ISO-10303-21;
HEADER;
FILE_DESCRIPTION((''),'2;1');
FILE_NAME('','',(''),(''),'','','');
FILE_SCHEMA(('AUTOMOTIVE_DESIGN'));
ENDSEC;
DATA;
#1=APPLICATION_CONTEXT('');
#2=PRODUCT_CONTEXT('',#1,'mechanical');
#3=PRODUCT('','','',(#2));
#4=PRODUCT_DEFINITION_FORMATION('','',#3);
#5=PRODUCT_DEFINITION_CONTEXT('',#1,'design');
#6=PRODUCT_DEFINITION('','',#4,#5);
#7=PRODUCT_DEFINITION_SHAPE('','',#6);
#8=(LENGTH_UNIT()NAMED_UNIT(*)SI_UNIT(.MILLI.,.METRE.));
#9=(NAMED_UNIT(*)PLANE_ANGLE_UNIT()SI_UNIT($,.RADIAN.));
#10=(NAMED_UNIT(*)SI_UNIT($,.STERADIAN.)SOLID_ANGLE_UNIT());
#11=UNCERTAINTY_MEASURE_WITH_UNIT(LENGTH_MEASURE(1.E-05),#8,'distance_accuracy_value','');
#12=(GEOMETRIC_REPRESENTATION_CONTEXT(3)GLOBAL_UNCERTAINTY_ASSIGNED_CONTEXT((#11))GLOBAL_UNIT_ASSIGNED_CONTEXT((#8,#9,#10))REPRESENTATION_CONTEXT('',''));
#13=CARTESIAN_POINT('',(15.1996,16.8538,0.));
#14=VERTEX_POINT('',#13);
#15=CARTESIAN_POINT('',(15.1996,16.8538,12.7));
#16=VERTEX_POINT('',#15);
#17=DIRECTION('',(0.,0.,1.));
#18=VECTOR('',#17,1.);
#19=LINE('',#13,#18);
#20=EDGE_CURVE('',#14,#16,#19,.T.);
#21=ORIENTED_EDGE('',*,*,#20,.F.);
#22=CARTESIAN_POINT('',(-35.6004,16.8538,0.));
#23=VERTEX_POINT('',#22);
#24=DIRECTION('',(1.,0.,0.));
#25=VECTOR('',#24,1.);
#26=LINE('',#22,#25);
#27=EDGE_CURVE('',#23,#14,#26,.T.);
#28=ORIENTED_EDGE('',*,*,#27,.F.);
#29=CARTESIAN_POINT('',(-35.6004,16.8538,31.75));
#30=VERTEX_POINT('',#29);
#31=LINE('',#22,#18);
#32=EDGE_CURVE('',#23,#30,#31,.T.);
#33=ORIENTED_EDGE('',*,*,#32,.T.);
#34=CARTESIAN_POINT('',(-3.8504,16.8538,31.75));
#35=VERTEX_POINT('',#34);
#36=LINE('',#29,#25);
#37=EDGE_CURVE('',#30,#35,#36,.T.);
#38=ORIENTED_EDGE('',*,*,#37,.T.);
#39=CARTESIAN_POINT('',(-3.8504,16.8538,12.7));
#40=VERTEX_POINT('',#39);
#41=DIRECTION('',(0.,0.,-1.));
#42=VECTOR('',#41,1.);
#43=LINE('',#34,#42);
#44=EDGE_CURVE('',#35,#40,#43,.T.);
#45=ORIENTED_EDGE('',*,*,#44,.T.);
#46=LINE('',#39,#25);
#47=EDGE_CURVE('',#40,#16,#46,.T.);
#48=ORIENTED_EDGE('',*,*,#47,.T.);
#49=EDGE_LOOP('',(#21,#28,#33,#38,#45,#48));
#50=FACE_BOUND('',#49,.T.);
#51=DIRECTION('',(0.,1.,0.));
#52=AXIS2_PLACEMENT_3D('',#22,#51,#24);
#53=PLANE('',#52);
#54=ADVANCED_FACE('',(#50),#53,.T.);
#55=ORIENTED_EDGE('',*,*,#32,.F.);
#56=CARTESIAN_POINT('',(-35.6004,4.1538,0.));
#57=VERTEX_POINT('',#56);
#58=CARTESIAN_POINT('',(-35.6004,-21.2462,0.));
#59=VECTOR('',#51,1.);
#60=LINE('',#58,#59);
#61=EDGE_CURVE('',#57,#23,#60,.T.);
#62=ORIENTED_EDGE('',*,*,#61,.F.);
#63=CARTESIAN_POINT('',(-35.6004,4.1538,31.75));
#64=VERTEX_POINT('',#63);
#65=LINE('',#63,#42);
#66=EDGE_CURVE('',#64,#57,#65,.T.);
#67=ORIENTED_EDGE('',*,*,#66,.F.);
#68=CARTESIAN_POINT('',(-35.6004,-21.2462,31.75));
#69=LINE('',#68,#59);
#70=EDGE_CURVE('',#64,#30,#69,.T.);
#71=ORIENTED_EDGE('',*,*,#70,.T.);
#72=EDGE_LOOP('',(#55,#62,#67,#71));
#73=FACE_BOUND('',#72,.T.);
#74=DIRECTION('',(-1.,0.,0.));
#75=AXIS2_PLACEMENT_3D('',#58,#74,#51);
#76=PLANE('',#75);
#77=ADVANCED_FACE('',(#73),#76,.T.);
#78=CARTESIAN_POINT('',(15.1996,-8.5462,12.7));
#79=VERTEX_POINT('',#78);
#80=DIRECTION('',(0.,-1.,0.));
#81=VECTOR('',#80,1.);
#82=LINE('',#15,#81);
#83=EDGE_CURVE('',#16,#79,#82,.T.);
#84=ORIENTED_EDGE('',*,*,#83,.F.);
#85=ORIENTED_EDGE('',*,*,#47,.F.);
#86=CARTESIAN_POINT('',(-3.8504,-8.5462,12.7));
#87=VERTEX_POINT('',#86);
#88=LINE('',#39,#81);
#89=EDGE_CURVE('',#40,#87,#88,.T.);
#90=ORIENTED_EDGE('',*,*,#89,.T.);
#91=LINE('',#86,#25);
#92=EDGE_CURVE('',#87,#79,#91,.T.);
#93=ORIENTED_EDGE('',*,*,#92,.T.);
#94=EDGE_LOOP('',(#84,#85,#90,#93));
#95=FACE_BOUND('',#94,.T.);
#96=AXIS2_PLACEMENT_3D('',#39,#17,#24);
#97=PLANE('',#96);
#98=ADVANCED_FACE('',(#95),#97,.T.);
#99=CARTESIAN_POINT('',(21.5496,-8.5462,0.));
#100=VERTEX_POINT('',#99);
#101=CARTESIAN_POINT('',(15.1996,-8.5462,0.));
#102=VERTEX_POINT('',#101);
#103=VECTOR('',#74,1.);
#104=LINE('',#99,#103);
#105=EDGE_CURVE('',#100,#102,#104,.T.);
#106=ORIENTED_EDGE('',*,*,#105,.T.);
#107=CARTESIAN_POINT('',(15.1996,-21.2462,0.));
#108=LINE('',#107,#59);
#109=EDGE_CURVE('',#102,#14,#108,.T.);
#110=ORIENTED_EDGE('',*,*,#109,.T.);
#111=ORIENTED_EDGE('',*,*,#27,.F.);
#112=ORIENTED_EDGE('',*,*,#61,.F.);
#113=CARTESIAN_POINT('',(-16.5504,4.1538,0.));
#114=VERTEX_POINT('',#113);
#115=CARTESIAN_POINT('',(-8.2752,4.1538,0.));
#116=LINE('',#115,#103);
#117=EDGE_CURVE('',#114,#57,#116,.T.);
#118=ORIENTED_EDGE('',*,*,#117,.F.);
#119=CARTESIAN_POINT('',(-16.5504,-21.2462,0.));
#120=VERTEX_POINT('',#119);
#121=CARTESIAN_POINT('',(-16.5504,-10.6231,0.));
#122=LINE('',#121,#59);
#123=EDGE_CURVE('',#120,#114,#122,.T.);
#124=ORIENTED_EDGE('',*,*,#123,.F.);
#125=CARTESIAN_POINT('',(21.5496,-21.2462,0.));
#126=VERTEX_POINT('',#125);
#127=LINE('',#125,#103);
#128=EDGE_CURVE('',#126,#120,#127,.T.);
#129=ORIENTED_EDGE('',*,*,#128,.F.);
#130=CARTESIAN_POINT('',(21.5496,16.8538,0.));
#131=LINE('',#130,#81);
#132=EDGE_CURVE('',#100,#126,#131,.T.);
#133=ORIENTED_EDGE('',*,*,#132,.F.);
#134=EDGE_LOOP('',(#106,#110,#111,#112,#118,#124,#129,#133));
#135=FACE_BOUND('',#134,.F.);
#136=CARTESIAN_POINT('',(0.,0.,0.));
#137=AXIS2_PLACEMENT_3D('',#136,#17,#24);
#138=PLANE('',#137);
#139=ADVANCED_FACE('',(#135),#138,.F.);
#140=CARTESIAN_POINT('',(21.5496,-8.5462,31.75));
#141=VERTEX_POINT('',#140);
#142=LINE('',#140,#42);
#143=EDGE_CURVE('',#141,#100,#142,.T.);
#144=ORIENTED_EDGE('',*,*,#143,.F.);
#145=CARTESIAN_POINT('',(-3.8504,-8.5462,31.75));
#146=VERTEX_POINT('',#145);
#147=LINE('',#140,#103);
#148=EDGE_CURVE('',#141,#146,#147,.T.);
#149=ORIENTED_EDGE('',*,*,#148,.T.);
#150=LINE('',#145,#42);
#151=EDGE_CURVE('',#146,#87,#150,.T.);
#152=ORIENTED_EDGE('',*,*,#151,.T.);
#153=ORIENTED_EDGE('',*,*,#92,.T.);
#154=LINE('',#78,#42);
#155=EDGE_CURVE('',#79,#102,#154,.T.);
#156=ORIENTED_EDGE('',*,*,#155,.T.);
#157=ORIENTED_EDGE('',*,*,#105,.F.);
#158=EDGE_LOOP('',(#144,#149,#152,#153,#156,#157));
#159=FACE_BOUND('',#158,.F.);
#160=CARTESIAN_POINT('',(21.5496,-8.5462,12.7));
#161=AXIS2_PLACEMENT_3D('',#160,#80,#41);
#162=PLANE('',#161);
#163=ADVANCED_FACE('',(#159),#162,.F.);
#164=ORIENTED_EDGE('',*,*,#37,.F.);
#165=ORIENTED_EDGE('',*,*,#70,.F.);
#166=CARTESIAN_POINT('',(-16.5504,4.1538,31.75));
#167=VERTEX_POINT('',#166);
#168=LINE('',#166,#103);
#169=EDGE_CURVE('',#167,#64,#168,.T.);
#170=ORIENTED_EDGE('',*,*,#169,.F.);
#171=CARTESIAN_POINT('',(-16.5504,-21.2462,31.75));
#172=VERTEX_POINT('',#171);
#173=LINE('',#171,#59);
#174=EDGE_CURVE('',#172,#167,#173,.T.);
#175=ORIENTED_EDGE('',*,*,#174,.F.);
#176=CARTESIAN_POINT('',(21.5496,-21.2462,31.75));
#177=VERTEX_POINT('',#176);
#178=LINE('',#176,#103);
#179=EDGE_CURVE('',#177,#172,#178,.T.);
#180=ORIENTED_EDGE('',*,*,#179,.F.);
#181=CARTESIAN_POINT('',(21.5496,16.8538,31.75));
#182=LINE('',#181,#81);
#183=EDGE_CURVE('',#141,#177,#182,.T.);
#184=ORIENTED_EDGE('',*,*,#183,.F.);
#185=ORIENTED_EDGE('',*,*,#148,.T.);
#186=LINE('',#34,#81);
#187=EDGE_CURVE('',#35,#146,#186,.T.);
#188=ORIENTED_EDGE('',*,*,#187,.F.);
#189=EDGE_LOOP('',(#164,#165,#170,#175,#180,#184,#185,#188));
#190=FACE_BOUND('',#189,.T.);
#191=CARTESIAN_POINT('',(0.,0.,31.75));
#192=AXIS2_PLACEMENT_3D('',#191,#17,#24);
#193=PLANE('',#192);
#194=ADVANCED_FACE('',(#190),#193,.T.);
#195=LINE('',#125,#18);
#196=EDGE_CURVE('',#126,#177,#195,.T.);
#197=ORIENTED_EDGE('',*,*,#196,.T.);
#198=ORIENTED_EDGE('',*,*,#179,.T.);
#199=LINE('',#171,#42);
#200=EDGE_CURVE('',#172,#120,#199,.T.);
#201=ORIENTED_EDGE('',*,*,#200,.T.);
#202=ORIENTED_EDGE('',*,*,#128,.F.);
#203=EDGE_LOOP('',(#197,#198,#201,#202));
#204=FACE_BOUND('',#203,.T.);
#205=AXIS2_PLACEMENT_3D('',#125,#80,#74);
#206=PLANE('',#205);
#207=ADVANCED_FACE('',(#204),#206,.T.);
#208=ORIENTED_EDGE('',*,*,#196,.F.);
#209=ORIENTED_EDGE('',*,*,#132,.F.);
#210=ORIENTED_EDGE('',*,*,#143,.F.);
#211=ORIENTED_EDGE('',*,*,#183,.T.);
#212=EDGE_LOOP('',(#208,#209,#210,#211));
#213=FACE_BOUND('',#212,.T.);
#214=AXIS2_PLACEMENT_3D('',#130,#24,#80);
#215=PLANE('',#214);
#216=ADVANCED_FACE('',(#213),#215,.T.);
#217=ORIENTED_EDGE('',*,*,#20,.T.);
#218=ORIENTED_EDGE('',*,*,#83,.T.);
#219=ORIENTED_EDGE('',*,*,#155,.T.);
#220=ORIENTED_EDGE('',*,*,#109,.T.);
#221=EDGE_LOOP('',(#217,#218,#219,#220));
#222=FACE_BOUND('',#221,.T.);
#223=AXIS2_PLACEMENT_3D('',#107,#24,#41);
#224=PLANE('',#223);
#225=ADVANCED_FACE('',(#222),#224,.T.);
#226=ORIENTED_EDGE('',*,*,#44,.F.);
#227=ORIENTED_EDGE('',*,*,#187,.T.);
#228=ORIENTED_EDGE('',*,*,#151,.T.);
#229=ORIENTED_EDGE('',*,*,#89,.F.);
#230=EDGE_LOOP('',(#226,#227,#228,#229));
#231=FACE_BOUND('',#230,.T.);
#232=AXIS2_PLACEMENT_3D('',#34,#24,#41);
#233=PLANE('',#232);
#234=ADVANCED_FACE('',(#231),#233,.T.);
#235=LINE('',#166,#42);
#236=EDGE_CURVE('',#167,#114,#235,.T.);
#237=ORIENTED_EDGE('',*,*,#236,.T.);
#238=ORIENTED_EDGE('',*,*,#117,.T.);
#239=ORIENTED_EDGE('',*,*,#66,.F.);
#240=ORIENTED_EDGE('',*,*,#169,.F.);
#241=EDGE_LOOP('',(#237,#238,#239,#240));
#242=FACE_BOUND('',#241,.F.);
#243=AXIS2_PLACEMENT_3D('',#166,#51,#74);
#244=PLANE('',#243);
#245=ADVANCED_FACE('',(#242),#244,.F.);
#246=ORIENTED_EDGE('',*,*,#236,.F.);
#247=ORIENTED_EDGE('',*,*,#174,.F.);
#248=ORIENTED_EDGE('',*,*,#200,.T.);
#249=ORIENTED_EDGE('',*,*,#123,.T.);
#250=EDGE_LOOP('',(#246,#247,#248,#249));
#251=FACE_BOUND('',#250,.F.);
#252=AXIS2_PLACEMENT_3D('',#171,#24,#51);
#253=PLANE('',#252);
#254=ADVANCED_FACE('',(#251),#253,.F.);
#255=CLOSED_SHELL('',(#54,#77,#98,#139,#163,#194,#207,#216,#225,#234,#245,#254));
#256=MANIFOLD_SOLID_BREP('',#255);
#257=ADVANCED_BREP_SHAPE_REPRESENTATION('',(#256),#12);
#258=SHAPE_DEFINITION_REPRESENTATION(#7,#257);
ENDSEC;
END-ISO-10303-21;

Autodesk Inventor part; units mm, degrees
ref_plane "YZ Plane" through (0, 0, 0) normal (1, 0, 0) x (0, 1, 0)
ref_plane "XZ Plane" through (0, 0, 0) normal (0, 1, 0) x (-1, 0, 0)
ref_plane "XY Plane" through (0, 0, 0) normal (0, 0, 1) x (1, 0, 0)
sketch "Sketch1" plane through (0, 0, 0) normal (0, 0, 1) x (1, 0, 0)
  line L0 (-35.6004, 16.8538) -> (21.5496, 16.8538)
  line L1 (21.5496, 16.8538) -> (21.5496, -21.2462)
  line L2 (21.5496, -21.2462) -> (-35.6004, -21.2462)
  line L3 (-35.6004, -21.2462) -> (-35.6004, 16.8538)
  point P0 (0, 0)
  dimension "d0" = 57.15
  dimension "d1" = 38.1
extrude "Extrusion1" add sketch "Sketch1" along normal blind 31.75
sketch "Sketch2" plane through (21.5496, -21.2462, 0) normal (1, 0, 0) x (0, 0, -1)
  line L0 (0, 0) -> (0, 38.1) projected
  line L1 (0, 38.1) -> (-12.7, 38.1)
  line L2 (-12.7, 38.1) -> (-12.7, 12.7)
  line L3 (-12.7, 12.7) -> (0, 12.7)
  line L4 (0, 12.7) -> (0, 38.1)
  point P0 (0, 21.2462)
  dimension "d4" = 25.4
  dimension "d5" = 12.7
extrude "Extrusion2" cut sketch "Sketch2" against normal blind 6.35
sketch "Sketch3" plane through (-35.6004, 16.8538, 31.75) normal (0, 1, 0) x (1, 0, 0)
  line L0 (57.15, 31.75) -> (57.15, 0) projected
  line L1 (57.15, 0) -> (31.75, 0)
  line L2 (31.75, 0) -> (31.75, 19.05)
  line L3 (31.75, 19.05) -> (57.15, 19.05)
  line L4 (57.15, 19.05) -> (57.15, 0)
  point P0 (35.6004, 31.75)
  dimension "d8" = 19.05
  dimension "d9" = 25.4
extrude "Extrusion3" cut sketch "Sketch3" against normal blind 25.4
sketch "Sketch4" plane through (0, 0, 31.75) normal (0, 0, 1) x (1, 0, 0)
  line L0 (-35.6004, -21.2462) -> (-16.5504, -21.2462)
  line L1 (-16.5504, -21.2462) -> (-16.5504, 4.1538)
  line L2 (-16.5504, 4.1538) -> (-35.6004, 4.1538)
  line L3 (-35.6004, 4.1538) -> (-35.6004, -21.2462)
  point P0 (0, 0)
  dimension "d12" = 19.05
  dimension "d13" = 25.4
extrude "Extrusion4" cut sketch "Sketch4" against normal blind 50.8
properties part number "Figure 7_27_8"
